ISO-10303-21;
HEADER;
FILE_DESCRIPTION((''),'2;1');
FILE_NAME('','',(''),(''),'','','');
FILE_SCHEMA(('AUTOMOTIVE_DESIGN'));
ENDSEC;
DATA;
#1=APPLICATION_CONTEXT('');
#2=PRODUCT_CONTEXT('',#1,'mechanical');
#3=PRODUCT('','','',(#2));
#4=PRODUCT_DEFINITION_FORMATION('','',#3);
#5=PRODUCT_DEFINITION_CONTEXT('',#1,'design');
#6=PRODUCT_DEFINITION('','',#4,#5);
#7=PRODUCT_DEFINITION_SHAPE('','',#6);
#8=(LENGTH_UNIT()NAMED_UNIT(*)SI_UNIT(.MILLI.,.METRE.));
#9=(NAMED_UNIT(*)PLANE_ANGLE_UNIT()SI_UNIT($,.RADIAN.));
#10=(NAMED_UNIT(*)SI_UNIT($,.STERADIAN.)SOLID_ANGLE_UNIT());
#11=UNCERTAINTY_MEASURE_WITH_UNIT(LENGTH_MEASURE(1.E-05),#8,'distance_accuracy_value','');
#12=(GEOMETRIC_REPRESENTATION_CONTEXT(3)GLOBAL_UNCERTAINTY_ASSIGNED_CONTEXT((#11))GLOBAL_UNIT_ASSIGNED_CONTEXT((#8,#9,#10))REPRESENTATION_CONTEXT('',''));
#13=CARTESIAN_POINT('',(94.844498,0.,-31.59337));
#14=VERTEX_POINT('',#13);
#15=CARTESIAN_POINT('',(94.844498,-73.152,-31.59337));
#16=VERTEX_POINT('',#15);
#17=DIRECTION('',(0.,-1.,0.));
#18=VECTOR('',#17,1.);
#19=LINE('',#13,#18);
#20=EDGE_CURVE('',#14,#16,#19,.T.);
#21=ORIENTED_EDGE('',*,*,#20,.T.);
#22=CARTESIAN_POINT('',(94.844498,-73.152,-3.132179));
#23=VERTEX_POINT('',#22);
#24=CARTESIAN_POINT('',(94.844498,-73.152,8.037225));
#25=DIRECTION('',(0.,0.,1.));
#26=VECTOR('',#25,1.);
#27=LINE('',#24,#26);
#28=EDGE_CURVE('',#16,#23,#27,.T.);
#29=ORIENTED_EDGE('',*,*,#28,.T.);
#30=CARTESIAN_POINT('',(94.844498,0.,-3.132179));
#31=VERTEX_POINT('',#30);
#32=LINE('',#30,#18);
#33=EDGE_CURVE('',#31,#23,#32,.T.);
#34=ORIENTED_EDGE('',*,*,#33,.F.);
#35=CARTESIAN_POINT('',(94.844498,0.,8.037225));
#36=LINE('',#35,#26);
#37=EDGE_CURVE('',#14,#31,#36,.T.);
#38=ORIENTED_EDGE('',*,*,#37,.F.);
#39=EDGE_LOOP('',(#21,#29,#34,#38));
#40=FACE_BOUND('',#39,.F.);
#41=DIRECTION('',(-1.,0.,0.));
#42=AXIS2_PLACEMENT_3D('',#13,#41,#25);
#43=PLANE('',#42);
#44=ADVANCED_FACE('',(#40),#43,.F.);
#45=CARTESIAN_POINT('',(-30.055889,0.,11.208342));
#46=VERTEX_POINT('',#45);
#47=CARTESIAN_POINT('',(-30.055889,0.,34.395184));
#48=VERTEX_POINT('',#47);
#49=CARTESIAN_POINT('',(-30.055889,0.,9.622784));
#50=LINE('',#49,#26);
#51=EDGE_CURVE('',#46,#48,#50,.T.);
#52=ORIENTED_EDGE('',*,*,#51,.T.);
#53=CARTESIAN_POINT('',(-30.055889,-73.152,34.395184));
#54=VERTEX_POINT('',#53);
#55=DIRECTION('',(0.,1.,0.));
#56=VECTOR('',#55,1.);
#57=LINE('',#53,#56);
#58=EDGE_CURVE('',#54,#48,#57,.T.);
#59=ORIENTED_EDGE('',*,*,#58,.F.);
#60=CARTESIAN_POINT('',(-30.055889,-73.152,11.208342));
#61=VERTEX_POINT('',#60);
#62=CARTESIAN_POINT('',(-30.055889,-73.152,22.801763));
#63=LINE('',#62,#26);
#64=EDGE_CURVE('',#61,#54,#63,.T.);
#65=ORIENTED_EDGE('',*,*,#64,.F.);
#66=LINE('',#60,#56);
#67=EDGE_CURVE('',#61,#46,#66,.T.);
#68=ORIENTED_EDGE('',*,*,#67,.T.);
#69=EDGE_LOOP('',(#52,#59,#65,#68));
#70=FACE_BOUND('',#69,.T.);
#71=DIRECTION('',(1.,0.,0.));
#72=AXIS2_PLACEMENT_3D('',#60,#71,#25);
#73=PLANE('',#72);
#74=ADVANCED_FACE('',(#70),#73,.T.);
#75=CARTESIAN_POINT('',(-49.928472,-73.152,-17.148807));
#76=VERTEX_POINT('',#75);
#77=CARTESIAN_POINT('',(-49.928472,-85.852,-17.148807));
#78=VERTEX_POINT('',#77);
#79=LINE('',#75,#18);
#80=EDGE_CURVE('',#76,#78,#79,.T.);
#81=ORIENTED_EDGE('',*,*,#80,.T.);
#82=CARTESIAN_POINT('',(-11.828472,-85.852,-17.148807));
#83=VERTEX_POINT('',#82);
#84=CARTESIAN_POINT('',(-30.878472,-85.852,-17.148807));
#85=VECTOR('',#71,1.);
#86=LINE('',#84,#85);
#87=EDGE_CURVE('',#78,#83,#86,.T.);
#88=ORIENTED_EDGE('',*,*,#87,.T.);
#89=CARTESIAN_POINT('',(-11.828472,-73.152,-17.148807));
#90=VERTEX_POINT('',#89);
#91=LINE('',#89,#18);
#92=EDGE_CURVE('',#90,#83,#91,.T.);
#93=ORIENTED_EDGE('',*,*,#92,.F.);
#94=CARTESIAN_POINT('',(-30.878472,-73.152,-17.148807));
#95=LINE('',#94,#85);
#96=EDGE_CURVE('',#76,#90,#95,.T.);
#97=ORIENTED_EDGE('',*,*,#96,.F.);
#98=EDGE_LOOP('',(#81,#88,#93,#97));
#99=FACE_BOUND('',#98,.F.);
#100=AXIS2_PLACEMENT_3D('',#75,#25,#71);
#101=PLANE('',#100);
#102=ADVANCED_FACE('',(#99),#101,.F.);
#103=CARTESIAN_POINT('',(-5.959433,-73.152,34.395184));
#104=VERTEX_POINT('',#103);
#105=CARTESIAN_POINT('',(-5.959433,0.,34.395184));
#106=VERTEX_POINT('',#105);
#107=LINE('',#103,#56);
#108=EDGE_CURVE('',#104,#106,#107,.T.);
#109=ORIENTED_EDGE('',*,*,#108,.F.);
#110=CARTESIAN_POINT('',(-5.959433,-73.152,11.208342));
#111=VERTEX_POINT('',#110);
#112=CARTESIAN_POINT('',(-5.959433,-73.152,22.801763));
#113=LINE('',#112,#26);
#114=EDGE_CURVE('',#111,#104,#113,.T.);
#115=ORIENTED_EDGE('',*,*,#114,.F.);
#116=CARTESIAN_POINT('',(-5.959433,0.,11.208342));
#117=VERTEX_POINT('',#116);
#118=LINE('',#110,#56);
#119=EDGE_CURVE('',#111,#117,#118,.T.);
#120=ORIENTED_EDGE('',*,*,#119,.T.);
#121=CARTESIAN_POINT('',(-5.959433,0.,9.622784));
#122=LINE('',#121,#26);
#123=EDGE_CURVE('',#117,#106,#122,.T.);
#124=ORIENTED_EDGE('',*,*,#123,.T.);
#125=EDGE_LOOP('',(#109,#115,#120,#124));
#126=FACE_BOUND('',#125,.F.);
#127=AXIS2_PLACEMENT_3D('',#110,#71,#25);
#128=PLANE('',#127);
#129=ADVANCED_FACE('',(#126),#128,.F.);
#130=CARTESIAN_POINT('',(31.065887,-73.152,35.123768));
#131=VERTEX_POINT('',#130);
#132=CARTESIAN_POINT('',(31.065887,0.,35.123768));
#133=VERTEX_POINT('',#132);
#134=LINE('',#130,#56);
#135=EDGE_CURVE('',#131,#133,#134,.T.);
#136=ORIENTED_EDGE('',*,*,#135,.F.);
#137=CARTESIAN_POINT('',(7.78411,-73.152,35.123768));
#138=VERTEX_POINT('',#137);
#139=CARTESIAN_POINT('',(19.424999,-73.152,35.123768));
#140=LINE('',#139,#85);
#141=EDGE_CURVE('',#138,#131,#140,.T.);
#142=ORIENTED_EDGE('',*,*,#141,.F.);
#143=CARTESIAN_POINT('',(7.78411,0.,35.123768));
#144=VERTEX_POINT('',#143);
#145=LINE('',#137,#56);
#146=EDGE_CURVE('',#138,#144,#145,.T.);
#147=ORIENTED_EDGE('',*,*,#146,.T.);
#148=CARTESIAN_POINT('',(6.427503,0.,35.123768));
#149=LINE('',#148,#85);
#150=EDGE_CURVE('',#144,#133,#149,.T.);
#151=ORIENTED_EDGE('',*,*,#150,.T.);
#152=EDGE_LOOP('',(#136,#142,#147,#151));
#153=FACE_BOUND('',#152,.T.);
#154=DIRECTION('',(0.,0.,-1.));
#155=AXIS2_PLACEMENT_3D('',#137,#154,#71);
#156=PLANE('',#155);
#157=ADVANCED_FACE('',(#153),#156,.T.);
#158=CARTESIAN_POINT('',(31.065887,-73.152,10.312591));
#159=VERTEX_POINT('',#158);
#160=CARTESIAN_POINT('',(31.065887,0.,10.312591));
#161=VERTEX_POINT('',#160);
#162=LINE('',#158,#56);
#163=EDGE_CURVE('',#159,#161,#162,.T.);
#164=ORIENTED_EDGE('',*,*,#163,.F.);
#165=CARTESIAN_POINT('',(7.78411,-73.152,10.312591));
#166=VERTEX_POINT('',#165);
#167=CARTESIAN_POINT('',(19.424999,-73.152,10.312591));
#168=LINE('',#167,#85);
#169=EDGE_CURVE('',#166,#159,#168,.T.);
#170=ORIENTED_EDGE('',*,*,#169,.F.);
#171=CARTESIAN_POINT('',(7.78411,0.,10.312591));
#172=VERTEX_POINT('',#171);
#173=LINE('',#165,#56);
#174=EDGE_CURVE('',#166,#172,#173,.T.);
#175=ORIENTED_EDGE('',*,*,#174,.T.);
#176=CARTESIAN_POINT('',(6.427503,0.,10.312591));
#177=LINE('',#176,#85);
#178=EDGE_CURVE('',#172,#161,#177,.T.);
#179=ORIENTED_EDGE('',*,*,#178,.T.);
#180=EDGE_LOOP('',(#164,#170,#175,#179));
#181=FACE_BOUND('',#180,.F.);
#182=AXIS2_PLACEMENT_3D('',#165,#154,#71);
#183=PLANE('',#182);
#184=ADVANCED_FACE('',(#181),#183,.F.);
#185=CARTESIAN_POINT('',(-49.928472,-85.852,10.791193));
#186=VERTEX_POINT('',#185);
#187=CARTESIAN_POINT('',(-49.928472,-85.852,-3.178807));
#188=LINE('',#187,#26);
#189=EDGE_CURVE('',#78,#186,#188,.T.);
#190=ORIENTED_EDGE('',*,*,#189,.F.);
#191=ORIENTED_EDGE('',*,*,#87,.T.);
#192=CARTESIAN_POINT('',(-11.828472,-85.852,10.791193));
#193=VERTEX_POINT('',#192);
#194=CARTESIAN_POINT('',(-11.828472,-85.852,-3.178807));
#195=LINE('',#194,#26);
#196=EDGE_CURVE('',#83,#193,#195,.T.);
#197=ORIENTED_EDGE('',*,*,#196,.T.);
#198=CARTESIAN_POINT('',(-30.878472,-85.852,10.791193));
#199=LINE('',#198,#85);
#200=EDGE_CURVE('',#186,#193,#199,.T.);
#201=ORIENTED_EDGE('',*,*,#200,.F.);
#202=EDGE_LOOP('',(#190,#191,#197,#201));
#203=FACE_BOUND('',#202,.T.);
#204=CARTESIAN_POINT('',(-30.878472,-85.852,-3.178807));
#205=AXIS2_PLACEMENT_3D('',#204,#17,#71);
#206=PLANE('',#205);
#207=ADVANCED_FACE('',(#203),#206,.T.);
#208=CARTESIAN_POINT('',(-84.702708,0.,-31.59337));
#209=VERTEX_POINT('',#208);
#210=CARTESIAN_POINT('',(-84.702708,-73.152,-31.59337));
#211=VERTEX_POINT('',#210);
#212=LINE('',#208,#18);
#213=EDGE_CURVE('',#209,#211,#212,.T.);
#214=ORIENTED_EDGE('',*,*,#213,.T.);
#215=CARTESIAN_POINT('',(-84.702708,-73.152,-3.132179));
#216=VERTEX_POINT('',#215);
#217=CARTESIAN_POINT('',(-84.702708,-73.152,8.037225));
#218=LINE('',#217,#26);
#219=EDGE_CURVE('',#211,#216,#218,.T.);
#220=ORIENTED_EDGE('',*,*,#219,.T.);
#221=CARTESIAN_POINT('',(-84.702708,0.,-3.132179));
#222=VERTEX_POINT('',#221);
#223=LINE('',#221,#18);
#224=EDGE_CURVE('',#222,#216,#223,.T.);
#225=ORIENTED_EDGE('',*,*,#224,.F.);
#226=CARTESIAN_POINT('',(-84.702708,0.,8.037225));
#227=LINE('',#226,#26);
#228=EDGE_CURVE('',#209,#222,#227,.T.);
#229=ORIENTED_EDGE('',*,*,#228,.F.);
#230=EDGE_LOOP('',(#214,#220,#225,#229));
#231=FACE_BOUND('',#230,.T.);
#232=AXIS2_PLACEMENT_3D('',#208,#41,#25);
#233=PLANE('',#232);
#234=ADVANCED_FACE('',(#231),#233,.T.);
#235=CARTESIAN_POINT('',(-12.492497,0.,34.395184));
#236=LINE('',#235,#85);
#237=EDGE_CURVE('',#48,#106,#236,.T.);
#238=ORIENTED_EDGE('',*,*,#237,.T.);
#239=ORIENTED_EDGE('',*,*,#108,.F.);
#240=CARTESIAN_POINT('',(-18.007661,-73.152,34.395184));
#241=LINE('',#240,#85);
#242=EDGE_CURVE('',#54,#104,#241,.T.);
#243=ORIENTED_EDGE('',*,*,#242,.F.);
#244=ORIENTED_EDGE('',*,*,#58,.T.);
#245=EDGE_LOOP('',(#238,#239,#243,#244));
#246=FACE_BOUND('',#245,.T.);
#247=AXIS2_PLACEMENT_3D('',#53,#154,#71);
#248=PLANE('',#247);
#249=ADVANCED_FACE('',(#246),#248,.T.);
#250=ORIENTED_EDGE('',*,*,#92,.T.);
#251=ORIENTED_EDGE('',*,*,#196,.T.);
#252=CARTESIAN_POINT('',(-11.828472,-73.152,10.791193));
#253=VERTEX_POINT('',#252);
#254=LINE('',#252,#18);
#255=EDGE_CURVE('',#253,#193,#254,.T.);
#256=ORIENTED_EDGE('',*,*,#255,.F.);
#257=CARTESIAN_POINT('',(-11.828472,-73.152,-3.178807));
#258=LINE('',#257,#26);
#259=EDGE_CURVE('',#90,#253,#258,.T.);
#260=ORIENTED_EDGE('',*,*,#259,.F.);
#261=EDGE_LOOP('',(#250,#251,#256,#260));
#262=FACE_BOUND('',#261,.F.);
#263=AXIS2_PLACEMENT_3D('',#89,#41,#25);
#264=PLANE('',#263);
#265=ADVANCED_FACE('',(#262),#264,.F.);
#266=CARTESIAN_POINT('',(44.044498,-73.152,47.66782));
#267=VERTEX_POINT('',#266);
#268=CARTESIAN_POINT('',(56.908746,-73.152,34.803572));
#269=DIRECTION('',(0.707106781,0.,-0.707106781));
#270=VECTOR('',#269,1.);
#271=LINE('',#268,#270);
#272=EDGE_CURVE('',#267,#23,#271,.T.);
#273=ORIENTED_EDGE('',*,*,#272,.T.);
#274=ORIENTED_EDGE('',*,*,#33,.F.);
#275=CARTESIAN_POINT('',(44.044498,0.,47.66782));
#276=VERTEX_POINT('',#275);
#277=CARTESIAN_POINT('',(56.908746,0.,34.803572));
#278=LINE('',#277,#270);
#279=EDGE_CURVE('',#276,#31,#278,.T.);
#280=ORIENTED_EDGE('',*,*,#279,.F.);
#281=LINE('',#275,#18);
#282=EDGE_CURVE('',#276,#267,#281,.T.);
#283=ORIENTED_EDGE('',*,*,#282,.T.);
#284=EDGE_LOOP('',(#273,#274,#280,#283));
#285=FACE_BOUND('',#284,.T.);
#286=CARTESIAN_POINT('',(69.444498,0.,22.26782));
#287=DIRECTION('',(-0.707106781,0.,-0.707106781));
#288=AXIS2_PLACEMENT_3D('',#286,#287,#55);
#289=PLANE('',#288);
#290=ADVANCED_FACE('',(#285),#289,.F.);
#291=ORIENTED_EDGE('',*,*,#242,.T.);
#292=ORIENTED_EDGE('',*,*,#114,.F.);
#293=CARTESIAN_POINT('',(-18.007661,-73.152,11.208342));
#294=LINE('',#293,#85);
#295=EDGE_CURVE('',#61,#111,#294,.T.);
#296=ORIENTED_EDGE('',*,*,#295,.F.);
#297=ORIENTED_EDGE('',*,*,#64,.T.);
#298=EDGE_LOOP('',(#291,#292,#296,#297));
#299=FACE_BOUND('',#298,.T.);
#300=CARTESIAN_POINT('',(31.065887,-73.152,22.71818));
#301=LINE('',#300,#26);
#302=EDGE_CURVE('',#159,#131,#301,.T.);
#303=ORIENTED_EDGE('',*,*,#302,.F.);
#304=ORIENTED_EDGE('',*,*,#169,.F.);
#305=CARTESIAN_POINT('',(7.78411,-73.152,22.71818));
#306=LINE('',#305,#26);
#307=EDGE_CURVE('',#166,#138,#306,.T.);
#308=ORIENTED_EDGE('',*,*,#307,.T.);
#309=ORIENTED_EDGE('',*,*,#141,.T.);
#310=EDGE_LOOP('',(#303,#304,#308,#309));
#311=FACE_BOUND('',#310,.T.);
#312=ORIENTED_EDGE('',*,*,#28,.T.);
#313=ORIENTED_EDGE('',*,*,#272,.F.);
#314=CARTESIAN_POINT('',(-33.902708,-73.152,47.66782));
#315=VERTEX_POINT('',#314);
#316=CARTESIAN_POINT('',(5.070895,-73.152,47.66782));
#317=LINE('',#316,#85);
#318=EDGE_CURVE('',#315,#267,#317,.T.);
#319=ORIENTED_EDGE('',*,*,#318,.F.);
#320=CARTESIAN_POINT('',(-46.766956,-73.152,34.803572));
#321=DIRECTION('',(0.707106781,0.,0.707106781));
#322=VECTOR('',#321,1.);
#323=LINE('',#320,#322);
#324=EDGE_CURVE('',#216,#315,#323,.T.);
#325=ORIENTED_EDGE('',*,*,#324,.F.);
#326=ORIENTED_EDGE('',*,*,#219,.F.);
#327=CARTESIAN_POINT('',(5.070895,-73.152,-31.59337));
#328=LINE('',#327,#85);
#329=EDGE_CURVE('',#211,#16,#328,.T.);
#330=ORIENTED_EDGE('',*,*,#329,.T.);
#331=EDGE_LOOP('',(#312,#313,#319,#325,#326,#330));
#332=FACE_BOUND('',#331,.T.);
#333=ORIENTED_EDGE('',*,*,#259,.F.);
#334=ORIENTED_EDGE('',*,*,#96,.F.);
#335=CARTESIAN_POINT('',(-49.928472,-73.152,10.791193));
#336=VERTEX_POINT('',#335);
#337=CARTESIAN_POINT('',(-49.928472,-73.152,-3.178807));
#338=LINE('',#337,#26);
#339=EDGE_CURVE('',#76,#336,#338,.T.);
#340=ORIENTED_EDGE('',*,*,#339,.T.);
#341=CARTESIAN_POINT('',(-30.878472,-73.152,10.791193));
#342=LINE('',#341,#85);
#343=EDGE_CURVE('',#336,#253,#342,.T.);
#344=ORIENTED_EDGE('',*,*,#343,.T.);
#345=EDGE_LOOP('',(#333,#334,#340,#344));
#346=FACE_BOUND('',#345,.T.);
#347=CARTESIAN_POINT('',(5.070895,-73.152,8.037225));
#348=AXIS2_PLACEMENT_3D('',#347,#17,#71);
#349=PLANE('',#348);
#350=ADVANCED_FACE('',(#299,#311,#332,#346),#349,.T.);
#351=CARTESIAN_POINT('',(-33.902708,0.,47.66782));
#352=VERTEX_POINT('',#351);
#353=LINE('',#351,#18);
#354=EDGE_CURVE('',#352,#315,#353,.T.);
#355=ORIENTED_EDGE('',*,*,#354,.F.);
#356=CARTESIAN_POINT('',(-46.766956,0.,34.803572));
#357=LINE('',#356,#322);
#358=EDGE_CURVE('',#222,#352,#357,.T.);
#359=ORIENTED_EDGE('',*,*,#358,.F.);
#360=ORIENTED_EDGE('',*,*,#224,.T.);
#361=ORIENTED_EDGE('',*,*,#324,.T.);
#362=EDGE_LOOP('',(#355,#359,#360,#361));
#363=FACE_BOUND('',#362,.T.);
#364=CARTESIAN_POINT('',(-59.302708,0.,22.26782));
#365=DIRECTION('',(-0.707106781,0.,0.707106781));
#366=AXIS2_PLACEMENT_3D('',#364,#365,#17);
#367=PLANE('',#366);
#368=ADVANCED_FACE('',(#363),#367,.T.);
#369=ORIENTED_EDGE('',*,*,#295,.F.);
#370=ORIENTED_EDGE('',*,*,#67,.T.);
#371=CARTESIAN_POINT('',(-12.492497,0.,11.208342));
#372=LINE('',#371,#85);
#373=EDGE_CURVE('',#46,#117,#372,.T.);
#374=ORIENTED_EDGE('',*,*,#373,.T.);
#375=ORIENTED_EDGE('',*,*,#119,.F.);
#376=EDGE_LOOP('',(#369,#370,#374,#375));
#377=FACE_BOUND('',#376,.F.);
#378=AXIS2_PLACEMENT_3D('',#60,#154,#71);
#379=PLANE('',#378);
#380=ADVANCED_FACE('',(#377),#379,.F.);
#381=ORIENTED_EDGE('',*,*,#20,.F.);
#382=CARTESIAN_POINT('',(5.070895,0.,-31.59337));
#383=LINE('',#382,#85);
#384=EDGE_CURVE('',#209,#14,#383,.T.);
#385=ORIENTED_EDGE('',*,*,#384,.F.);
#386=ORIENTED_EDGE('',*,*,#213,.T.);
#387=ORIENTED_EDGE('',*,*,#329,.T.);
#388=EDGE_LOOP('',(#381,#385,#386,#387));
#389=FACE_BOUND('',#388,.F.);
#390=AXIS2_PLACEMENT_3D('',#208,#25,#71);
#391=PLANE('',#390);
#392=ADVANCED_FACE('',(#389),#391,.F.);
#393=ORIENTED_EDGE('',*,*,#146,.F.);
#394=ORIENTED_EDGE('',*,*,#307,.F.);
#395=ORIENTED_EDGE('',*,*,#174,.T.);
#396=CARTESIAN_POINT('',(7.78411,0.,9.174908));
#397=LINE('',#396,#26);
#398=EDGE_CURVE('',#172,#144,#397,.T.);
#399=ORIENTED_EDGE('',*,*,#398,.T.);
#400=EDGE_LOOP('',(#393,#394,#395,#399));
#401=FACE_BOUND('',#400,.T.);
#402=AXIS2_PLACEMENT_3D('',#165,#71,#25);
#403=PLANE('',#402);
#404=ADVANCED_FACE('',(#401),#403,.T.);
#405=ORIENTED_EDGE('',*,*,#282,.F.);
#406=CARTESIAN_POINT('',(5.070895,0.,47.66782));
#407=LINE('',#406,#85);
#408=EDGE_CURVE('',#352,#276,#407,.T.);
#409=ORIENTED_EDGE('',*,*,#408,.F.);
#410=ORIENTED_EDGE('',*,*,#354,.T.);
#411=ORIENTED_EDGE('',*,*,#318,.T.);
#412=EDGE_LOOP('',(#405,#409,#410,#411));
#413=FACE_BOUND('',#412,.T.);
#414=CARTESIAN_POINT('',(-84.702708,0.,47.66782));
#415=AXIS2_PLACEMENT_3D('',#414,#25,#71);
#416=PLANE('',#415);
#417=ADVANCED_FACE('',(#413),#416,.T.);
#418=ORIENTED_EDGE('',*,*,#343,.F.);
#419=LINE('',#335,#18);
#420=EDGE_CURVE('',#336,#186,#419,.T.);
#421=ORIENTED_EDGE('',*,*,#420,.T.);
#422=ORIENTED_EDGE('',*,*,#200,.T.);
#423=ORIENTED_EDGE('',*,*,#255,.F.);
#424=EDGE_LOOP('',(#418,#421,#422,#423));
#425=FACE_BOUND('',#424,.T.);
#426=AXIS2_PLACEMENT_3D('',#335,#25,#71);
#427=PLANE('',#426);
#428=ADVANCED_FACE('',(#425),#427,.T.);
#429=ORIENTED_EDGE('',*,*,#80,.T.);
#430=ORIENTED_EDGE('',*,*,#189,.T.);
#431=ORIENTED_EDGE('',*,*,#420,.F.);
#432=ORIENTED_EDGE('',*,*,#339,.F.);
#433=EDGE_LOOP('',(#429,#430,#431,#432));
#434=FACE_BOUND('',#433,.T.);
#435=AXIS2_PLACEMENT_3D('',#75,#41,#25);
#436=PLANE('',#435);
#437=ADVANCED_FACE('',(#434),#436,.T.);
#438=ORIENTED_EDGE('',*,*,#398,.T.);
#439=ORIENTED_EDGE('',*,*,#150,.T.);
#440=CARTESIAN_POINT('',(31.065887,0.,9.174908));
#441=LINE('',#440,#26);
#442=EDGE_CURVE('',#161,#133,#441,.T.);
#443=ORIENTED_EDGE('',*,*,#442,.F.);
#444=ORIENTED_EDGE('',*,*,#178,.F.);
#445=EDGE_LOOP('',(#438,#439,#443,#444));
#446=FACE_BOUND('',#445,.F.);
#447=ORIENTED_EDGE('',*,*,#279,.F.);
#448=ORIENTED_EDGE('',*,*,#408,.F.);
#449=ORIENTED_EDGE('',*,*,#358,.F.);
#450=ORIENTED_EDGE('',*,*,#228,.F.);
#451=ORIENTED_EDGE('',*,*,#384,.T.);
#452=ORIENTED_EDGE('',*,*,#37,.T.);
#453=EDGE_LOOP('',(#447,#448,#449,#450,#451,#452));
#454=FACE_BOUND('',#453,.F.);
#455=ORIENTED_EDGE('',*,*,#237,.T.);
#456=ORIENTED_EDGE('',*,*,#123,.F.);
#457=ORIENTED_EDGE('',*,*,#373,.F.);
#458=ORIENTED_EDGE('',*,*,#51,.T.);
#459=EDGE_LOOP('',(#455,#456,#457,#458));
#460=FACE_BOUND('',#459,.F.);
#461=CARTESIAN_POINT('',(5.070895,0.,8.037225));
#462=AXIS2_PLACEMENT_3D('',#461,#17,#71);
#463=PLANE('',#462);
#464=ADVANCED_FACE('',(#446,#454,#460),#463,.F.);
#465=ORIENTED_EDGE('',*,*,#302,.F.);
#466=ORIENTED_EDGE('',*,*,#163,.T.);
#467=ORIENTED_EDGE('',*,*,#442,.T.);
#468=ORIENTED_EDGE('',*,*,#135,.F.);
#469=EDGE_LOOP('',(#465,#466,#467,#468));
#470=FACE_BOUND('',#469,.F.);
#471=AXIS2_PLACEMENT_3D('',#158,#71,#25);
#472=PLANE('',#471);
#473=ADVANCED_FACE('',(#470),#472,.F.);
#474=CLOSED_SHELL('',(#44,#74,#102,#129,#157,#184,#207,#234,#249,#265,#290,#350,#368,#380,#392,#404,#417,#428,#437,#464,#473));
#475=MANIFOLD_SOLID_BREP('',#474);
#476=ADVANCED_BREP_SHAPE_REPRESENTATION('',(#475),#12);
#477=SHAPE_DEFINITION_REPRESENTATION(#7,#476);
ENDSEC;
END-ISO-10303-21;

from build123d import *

# Parameters (mm, degrees)
F0_W     = 179.547206
F0_H     = 79.261191
F1_DEPTH = 73.152
F2_SIZE  = 50.8
F3_W     = 24.096457
F3_H     = 23.186842
F4_DEPTH = 286.004
F5_W     = 23.281777
F5_H     = 24.811177
F6_DEPTH = 221.742
F7_SIZE  = 50.8
F8_W     = 38.1
F8_H     = 27.94
F9_DEPTH = 12.7


with BuildPart() as f1:
    # F0 (on Front) → F1 (new body)
    with BuildSketch(Plane.XZ):
        with Locations((5.070895, 8.037225)):
            Rectangle(F0_W, F0_H)
    extrude(amount=F1_DEPTH)

    # F2
    f2_edges = [f1.edges().sort_by_distance(p)[0] for p in [
        (-84.702708, -36.576, 47.66782),
    ]]
    chamfer(f2_edges, length=F2_SIZE)

    # F3 (on face) → F4 (cut)
    with BuildSketch(Plane.XZ.offset(73.152)):
        with Locations((-18.007661, 22.801763)):
            Rectangle(F3_W, F3_H)
    extrude(amount=-F4_DEPTH, mode=Mode.SUBTRACT)

    # F5 (on face) → F6 (cut)
    with BuildSketch(Plane.XZ.offset(73.152)):
        with Locations((19.424999, 22.71818)):
            Rectangle(F5_W, F5_H)
    extrude(amount=-F6_DEPTH, mode=Mode.SUBTRACT)

    # F7
    f7_edges = [f1.edges().sort_by_distance(p)[0] for p in [
        (94.844498, -36.576, 47.66782),
    ]]
    chamfer(f7_edges, length=F7_SIZE)

    # F8 (on face) → F9 (join)
    with BuildSketch(Plane.XZ.offset(73.152)):
        with Locations((-30.878472, -3.178807)):
            Rectangle(F8_W, F8_H)
    extrude(amount=F9_DEPTH)


solid = f1.part
